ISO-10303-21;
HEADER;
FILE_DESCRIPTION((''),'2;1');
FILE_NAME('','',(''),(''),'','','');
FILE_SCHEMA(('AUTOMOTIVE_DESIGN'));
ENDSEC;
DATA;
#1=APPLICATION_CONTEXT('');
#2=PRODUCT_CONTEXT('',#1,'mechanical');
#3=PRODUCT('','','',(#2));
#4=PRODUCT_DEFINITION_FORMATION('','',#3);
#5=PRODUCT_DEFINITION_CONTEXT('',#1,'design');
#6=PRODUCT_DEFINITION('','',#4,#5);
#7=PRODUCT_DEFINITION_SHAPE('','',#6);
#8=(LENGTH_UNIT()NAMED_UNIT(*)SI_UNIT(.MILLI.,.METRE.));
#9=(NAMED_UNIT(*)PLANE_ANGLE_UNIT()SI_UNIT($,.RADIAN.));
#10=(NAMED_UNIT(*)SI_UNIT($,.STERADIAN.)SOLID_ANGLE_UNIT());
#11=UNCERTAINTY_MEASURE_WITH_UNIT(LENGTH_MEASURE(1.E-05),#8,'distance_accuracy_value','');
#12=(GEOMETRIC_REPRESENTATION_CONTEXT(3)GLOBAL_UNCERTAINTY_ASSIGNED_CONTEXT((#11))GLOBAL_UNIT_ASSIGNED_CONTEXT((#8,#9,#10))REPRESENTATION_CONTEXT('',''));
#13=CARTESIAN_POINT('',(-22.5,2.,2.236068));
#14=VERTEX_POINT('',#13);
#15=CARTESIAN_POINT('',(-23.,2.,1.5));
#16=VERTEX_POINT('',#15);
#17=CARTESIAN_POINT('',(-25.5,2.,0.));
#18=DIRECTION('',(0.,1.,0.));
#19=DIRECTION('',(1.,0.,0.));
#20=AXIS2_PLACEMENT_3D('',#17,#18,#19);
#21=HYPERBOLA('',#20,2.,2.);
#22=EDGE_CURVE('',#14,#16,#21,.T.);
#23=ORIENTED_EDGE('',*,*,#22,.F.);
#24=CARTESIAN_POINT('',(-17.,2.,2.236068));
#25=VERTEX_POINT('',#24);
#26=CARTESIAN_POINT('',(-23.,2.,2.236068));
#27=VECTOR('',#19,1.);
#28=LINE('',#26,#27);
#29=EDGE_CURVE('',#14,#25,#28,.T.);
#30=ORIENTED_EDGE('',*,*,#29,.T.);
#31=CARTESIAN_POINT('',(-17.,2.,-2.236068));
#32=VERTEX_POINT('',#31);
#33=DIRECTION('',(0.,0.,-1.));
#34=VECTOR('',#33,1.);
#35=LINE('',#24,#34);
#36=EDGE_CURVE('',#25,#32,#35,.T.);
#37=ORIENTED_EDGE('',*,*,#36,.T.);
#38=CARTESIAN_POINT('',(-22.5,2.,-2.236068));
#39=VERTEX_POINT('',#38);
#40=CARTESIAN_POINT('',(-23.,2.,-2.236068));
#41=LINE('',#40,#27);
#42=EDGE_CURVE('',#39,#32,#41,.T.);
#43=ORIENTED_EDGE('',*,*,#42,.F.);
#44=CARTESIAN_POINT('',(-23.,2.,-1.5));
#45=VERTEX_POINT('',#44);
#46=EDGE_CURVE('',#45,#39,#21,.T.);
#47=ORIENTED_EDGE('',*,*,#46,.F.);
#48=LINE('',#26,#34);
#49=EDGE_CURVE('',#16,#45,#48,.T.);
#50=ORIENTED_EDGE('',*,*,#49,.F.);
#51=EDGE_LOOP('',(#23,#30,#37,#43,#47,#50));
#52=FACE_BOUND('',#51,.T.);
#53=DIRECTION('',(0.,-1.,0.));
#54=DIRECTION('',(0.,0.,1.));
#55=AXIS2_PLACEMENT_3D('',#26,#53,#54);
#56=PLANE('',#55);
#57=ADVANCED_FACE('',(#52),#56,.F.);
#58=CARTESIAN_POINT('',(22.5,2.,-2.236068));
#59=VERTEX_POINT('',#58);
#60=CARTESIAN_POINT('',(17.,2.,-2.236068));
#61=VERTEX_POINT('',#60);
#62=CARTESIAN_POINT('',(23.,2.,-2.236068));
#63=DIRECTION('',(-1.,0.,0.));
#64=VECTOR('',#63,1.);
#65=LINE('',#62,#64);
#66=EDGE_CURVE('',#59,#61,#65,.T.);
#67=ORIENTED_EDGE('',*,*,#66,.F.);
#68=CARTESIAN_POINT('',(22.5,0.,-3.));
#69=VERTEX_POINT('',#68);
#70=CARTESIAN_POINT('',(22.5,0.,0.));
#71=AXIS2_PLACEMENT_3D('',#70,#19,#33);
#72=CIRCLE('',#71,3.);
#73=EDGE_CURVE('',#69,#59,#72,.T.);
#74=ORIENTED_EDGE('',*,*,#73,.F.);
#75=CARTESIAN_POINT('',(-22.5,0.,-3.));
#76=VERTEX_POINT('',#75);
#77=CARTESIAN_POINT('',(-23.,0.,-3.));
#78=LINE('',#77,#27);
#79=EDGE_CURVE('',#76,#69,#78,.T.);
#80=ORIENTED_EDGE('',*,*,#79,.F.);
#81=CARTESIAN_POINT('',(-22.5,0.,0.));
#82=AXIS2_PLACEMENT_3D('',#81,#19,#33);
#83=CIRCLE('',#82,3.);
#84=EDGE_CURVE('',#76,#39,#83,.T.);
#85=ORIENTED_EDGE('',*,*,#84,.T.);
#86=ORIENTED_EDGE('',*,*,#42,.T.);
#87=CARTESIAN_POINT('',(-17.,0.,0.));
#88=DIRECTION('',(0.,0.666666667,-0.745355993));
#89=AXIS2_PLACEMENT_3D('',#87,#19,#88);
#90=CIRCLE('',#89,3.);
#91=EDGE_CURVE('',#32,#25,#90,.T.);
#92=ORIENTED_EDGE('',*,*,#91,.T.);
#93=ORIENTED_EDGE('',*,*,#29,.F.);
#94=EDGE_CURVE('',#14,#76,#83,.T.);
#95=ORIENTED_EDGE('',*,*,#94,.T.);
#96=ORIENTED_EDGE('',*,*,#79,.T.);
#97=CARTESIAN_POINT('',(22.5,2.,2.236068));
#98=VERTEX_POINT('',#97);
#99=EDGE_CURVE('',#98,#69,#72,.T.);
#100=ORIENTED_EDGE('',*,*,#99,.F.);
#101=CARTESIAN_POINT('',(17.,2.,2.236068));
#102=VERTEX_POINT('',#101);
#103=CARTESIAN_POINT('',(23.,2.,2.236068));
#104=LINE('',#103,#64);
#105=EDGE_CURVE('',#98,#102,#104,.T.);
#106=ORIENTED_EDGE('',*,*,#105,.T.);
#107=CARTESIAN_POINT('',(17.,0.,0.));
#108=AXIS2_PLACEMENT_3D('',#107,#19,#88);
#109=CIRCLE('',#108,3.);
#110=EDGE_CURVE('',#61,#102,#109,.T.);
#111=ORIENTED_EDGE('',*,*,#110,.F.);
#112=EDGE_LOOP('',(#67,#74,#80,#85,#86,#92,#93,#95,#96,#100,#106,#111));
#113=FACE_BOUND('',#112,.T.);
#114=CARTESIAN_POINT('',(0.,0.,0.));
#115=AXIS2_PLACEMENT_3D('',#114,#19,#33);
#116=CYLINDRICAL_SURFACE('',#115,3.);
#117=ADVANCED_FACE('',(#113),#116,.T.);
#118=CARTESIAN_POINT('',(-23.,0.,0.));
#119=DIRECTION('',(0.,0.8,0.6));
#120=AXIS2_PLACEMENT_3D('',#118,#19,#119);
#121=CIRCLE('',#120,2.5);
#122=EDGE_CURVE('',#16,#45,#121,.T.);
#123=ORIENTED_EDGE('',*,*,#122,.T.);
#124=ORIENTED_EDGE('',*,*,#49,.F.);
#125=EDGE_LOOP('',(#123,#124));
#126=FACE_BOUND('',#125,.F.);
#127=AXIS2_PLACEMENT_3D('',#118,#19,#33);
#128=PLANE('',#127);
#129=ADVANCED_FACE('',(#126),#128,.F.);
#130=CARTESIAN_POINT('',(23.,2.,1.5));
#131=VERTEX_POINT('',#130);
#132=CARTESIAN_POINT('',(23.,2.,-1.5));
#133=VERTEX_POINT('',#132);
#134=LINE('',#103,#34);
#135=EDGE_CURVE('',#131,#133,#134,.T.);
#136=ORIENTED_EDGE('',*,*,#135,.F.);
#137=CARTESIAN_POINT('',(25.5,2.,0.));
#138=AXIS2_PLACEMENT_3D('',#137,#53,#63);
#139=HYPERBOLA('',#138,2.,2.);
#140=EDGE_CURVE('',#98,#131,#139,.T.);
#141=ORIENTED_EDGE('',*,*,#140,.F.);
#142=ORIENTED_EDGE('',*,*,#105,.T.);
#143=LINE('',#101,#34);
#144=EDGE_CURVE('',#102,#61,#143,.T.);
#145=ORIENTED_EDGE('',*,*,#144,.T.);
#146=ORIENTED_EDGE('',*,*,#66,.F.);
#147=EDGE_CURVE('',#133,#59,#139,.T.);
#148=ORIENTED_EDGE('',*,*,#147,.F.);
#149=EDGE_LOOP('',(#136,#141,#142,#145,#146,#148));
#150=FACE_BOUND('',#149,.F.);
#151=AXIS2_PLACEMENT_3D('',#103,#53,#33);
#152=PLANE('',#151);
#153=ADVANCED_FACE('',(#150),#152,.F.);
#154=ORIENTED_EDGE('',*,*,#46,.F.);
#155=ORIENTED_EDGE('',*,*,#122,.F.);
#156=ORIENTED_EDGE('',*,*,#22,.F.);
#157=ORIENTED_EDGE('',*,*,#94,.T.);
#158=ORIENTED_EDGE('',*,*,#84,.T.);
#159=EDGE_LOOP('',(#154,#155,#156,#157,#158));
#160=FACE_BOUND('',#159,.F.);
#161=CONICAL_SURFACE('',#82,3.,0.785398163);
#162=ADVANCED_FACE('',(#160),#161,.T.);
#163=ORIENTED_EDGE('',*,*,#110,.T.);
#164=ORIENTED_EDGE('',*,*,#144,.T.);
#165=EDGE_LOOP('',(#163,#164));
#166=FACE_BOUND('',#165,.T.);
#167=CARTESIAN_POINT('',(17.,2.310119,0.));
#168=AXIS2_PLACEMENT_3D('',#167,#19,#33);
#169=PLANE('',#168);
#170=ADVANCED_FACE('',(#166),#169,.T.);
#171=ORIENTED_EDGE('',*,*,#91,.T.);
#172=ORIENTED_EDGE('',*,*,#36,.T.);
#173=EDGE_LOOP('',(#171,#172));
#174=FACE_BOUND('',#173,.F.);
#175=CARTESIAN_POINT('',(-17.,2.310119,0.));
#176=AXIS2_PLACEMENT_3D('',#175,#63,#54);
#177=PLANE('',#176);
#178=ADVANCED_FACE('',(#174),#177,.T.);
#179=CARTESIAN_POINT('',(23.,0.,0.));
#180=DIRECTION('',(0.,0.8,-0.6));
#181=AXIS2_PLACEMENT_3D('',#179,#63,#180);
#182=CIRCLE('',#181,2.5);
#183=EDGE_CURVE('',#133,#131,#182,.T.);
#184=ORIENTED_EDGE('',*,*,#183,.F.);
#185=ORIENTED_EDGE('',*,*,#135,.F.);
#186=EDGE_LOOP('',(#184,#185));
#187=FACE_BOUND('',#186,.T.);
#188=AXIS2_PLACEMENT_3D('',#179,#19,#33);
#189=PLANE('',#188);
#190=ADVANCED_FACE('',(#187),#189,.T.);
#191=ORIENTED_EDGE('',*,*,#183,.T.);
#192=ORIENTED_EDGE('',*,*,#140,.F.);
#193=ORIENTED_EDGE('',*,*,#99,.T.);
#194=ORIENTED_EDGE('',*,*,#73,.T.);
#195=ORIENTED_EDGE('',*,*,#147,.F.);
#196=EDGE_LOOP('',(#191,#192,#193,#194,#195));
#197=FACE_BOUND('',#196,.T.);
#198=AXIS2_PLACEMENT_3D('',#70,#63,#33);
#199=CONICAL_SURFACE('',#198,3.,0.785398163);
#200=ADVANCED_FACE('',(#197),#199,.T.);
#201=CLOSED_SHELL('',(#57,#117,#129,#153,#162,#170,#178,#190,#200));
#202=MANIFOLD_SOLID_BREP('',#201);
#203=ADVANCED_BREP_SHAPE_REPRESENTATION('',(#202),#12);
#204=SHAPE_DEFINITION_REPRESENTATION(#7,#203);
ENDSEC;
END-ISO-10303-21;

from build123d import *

# Parameters (mm, degrees)
SKETCH1_R           = 3
BOSS_EXTRUDE1_DEPTH = 23
CHAMFER1_SIZE       = 0.5
CUT_EXTRUDE1_DEPTH  = 6


with BuildPart() as part:
    # Sketch1 → Boss-Extrude1 (new body, symmetric)
    with BuildSketch(Plane(origin=(0, 0, 0), x_dir=(0, 0, -1), z_dir=(1, 0, 0))):
        Circle(SKETCH1_R)
    extrude(amount=BOSS_EXTRUDE1_DEPTH, both=True)

    # Chamfer1
    chamfer1_edges = [part.edges().sort_by_distance(p)[0] for p in [
        (-23, 0, 3),
        (23, 0, 3),
    ]]
    chamfer(chamfer1_edges, length=CHAMFER1_SIZE)

    # Sketch2 → Cut-Extrude1 (cut)
    with BuildSketch(Plane(origin=(23, 0, 0), x_dir=(0, 0, -1), z_dir=(1, 0, 0))):
        with BuildLine():
            Line((-2.236067977, 2), (2.236067977, 2))
            ThreePointArc((2.236067977, 2), (0, 3), (-2.236067977, 2))
        make_face()
    cut_extrude1 = extrude(amount=-CUT_EXTRUDE1_DEPTH, mode=Mode.SUBTRACT)

    # Mirror1: Cut-Extrude1 across plane
    add(cut_extrude1.mirror(Plane(origin=(0, 0, 0), x_dir=(0, 0, 1), z_dir=(1, 0, 0))), mode=Mode.SUBTRACT)


solid = part.part
